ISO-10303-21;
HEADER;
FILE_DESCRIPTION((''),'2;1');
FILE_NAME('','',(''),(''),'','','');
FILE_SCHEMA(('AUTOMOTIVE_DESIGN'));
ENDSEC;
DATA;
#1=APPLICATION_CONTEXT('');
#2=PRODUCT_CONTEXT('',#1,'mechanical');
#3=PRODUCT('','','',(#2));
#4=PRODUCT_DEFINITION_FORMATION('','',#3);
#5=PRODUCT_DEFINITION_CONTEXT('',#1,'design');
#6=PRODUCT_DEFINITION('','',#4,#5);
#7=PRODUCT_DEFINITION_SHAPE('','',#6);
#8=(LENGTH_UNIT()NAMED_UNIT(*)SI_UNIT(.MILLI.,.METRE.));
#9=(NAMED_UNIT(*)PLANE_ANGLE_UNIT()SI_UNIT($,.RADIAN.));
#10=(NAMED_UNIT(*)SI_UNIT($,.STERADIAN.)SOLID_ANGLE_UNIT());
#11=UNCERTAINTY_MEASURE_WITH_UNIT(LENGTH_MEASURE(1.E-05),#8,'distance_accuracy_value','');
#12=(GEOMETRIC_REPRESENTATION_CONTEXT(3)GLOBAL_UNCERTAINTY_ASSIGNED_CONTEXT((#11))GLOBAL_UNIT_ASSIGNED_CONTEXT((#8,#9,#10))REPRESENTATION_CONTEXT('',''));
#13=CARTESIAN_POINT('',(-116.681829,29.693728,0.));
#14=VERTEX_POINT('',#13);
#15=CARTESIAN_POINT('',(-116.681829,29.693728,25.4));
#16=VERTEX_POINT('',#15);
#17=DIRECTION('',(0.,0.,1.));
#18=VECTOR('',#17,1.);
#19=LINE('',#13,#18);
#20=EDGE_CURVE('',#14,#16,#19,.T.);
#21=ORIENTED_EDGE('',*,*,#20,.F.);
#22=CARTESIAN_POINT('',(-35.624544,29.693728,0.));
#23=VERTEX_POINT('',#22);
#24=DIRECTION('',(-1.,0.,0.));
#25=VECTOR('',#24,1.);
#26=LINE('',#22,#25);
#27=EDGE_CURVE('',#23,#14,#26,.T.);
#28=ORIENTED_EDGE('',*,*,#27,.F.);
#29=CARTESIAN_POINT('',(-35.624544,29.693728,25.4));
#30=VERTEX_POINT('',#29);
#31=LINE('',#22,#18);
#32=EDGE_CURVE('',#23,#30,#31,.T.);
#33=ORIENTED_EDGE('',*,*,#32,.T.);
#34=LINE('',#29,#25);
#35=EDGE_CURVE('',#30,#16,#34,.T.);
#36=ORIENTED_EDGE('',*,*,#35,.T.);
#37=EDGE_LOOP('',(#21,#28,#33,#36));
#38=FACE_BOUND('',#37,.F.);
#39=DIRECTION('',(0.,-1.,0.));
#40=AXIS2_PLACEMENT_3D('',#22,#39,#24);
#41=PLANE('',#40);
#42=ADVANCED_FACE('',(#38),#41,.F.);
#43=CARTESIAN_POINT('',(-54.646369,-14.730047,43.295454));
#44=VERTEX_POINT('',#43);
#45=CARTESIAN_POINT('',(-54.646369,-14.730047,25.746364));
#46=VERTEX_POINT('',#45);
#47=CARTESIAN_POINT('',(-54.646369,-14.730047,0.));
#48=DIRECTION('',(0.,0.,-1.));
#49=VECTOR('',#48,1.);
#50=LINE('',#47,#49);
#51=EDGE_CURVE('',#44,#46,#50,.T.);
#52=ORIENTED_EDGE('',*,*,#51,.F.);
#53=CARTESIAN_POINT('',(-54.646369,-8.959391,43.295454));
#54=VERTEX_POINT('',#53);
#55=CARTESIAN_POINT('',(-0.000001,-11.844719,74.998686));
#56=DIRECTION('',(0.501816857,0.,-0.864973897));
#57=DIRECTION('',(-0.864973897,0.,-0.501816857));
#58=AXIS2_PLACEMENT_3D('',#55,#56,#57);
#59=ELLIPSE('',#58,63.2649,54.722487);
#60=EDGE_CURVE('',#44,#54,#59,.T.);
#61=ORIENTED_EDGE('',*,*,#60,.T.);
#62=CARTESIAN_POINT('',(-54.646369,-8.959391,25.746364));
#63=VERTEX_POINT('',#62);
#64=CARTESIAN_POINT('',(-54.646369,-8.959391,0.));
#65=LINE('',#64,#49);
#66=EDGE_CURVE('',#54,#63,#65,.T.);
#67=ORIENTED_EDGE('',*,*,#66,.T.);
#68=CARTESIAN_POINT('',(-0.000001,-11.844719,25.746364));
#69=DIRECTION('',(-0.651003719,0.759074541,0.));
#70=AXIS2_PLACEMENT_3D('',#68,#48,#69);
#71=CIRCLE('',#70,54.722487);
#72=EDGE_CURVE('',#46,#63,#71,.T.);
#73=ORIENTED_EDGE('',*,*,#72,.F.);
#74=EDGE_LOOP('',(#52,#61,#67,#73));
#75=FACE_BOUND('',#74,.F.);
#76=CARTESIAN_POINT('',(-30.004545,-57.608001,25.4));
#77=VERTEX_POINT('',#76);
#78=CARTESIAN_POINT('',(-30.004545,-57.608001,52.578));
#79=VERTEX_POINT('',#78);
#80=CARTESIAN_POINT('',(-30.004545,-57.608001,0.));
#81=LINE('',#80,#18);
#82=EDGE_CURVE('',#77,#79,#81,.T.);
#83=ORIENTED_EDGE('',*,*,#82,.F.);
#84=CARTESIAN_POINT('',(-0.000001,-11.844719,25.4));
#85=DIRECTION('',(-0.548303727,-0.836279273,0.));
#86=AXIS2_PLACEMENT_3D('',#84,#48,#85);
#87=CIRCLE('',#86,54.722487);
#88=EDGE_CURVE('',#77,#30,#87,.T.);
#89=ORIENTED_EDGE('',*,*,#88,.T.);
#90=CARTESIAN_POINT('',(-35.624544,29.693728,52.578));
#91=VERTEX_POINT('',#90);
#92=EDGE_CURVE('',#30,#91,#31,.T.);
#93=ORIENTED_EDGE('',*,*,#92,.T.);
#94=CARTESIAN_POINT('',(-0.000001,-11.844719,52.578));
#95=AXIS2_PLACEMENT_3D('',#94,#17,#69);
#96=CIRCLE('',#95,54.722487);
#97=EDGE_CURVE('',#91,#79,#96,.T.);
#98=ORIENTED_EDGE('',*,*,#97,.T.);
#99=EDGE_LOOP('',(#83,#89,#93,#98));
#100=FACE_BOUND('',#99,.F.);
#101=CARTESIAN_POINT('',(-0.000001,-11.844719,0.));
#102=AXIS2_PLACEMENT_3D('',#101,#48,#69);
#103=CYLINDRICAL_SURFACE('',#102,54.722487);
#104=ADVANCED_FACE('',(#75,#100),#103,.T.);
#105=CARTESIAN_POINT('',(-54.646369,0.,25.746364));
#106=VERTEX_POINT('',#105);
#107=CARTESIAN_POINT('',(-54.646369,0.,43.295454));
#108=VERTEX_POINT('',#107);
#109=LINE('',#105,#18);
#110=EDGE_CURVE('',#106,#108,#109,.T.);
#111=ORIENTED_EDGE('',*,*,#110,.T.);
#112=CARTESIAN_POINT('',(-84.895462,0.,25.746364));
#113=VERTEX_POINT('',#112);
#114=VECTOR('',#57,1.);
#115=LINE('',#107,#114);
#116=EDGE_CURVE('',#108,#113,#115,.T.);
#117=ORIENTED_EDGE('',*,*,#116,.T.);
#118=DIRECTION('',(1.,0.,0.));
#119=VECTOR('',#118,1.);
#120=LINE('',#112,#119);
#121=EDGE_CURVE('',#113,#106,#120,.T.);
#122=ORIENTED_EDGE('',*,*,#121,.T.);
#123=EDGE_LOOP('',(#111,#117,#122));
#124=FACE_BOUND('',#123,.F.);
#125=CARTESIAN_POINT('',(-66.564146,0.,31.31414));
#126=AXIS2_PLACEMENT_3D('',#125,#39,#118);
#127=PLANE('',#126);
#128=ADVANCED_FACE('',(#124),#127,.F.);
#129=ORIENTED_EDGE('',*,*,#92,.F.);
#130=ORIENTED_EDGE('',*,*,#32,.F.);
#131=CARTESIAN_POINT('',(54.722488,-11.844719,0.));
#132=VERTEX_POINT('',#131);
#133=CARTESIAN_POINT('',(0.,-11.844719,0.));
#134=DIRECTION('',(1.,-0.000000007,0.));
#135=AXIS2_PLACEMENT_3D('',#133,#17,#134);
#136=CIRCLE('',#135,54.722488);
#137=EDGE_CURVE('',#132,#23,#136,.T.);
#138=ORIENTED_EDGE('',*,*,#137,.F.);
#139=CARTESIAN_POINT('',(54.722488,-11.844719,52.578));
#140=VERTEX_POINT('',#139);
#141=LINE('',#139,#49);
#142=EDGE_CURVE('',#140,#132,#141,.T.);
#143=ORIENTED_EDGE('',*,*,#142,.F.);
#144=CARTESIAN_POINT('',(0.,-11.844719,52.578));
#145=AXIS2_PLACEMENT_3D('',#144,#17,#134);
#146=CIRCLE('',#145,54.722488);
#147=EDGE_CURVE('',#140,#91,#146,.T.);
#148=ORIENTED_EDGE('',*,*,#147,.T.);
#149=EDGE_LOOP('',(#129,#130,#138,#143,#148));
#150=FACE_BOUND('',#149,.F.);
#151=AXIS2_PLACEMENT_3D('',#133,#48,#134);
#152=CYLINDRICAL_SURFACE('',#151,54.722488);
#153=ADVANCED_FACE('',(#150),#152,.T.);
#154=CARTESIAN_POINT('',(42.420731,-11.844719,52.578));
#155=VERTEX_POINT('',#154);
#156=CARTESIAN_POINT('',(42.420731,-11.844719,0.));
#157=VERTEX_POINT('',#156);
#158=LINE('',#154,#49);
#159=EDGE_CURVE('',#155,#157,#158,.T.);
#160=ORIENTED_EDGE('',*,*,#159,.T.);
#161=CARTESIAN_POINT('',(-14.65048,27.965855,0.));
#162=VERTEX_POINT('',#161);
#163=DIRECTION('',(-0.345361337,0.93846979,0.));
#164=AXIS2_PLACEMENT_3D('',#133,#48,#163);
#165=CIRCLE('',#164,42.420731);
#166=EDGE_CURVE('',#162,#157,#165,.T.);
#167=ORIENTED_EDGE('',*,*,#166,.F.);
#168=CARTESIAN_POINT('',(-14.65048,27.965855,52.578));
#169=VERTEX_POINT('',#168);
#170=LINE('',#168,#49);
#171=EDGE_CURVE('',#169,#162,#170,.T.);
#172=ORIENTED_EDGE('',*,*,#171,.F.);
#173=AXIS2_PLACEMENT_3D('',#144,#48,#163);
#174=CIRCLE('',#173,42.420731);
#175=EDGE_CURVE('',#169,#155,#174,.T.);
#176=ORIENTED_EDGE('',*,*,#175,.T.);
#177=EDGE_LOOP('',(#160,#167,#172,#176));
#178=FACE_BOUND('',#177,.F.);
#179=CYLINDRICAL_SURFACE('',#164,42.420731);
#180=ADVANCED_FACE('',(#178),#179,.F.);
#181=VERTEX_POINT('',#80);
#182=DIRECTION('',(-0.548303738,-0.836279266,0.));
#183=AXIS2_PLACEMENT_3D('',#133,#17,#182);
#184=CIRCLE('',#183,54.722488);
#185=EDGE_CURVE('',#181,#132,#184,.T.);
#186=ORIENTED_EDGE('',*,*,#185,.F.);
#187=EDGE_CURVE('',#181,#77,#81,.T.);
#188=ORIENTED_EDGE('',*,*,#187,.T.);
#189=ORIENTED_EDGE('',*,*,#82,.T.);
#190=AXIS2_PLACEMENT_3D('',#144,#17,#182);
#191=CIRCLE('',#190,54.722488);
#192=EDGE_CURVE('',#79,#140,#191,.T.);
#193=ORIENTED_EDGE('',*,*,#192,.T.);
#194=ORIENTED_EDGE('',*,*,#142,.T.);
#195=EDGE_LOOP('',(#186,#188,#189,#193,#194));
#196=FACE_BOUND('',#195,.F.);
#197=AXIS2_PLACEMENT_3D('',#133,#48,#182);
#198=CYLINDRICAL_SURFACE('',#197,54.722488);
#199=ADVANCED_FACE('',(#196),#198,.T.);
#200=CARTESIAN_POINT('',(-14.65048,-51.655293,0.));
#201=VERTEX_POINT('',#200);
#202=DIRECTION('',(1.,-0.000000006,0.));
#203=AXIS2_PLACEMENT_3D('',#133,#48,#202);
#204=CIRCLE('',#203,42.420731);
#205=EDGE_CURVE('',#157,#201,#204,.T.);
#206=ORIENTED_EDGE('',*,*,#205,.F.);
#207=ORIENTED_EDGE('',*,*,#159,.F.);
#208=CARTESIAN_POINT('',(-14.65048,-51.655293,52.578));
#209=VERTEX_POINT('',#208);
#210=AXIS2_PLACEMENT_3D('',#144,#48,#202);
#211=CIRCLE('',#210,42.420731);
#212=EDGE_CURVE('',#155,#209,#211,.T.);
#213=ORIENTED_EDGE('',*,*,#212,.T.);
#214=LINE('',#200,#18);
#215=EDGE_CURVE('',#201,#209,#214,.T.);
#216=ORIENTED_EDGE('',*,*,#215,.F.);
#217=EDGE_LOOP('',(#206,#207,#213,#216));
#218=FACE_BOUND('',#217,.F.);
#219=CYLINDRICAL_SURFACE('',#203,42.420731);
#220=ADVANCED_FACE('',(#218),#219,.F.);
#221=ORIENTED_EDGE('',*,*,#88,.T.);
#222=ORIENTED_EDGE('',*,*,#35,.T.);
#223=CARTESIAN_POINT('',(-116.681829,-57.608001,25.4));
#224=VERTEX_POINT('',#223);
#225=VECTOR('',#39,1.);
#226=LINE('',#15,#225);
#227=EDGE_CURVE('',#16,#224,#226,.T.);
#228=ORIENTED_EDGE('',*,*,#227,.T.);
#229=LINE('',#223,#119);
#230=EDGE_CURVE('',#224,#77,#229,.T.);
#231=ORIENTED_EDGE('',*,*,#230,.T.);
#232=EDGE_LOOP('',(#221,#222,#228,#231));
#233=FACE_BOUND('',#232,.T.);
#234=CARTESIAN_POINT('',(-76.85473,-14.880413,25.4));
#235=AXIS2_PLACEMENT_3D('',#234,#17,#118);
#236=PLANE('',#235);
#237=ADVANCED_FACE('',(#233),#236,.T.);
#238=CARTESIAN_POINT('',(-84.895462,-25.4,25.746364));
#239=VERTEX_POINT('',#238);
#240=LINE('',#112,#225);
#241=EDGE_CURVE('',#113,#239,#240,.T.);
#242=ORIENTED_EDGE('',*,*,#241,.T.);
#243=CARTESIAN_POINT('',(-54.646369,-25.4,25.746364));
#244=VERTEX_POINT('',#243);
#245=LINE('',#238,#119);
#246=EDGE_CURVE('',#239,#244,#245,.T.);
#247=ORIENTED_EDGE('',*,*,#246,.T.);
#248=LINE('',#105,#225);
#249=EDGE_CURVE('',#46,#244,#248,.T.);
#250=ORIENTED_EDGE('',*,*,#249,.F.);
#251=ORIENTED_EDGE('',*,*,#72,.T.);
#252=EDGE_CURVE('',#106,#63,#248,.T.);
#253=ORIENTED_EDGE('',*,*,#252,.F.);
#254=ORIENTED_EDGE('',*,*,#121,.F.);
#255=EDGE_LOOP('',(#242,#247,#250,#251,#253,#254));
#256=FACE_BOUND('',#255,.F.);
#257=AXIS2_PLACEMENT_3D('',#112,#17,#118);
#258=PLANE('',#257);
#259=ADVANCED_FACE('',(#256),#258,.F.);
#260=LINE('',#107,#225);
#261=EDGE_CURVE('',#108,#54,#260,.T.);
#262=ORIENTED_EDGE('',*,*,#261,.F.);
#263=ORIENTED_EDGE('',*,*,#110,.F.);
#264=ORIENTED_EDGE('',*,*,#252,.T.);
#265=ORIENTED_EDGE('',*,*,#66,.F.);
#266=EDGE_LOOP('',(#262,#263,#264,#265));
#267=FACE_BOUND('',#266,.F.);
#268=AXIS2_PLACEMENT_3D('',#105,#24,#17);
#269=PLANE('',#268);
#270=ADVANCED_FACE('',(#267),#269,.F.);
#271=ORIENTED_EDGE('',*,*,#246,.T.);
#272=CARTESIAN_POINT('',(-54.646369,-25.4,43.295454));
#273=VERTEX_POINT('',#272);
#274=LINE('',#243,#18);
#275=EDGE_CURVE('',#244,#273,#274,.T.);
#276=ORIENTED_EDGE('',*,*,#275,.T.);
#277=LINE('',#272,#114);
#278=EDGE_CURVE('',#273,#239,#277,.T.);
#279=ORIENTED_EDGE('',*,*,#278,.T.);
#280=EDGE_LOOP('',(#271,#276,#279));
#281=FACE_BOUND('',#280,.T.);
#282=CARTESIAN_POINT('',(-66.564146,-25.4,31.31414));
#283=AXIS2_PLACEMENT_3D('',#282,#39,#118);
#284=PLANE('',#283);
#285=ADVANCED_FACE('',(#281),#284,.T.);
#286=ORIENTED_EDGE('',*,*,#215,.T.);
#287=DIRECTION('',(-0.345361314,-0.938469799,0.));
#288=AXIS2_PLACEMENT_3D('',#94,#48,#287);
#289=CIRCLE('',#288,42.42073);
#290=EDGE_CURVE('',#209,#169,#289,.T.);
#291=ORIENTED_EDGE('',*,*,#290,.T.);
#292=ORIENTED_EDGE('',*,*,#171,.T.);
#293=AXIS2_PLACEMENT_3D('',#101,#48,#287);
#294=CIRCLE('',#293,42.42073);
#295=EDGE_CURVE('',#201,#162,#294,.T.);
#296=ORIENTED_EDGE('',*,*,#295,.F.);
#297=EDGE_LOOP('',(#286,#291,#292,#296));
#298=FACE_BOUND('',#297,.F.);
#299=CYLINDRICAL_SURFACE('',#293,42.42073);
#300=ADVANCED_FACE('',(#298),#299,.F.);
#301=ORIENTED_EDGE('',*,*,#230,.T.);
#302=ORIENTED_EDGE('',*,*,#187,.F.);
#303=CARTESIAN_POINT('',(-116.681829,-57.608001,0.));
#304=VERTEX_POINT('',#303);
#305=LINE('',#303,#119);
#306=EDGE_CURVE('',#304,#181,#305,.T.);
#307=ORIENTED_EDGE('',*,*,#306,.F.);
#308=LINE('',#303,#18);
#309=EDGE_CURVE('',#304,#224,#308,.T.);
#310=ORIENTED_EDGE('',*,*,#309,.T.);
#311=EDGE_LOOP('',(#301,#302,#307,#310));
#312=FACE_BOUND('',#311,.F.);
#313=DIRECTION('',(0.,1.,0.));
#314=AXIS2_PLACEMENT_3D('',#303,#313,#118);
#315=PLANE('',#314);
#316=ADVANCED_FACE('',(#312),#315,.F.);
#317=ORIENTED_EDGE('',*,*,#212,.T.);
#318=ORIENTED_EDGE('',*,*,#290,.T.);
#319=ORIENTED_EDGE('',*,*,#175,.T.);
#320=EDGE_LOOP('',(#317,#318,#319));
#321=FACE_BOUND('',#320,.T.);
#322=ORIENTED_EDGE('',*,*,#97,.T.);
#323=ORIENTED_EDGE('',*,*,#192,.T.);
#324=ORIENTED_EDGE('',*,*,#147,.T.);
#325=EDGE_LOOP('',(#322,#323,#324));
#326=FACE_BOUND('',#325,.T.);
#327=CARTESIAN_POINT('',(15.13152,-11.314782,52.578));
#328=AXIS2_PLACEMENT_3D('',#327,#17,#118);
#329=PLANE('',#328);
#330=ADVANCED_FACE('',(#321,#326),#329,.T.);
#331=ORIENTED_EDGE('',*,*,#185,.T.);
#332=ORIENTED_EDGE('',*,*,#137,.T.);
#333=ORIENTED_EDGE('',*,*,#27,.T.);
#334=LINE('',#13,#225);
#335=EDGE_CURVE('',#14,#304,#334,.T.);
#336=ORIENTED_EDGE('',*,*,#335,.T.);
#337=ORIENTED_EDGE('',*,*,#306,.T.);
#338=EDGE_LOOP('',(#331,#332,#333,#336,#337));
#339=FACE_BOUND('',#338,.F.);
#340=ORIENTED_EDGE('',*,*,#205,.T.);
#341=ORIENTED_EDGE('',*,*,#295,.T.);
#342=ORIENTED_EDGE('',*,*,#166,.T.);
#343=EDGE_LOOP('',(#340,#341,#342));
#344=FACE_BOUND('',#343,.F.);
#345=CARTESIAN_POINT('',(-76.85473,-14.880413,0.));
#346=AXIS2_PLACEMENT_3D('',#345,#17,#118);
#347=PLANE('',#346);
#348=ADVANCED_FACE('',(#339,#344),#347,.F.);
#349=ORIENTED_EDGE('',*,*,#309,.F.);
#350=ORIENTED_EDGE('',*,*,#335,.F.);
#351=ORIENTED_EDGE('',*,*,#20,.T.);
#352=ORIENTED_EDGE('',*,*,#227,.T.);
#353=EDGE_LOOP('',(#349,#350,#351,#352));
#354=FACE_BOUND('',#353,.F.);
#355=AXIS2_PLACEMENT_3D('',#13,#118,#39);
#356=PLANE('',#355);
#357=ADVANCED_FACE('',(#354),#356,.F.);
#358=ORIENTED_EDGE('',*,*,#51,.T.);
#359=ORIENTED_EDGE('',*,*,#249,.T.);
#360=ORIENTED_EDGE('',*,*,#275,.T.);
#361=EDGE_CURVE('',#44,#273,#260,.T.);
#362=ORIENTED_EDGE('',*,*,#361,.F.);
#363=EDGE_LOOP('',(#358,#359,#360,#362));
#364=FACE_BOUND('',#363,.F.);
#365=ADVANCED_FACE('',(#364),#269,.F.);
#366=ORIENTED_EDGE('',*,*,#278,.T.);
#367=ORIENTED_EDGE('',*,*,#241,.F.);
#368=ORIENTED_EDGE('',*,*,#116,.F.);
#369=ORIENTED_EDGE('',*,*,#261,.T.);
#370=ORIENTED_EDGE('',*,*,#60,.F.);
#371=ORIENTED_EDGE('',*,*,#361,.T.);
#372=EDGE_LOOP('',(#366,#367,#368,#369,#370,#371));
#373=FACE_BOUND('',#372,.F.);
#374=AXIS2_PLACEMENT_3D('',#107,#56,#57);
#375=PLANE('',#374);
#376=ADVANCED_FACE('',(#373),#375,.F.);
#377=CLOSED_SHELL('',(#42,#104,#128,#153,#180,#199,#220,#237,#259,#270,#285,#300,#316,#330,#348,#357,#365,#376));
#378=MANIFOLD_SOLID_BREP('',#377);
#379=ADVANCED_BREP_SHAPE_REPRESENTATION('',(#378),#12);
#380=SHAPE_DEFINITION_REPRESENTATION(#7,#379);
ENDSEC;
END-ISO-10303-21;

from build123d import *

# Parameters (mm, degrees)
F1_DEPTH = 52.578
F2_DEPTH = 25.4
F4_DEPTH = 25.4


with BuildPart() as f1:
    # F0 (on Top) → F1 (new body)
    with BuildSketch(Plane.XY):
        with BuildLine():
            ThreePointArc((54.722488, -11.844719), (22.859211, 37.874565), (-35.624544, 29.693728))
            Line((-35.624544, 29.693728), (-14.65048, 29.693728))
            Line((-14.65048, 29.693728), (-14.65048, 27.965855))
            ThreePointArc((-14.65048, 27.965855), (24.269676, 22.947539), (42.420731, -11.844719))
            ThreePointArc((42.420731, -11.844719), (24.269676, -46.636977), (-14.65048, -51.655293))
            Line((-14.65048, -51.655293), (-14.65048, -57.608001))
            Line((-14.65048, -57.608001), (-30.004545, -57.608001))
            ThreePointArc((-30.004545, -57.608001), (26.006031, -59.992793), (54.722488, -11.844719))
        make_face()
        with BuildLine():
            Line((-14.65048, 29.693728), (-35.624544, 29.693728))
            ThreePointArc((-35.624544, 29.693728), (-54.609453, -15.360171), (-30.004545, -57.608001))
            Line((-30.004545, -57.608001), (-14.65048, -57.608001))
            Line((-14.65048, -57.608001), (-14.65048, -51.655293))
            ThreePointArc((-14.65048, -51.655293), (-42.420731, -11.844719), (-14.65048, 27.965855))
            Line((-14.65048, 27.965855), (-14.65048, 29.693728))
        make_face()
    extrude(amount=F1_DEPTH)

    # F0 (on Top) → F2 (join)
    with BuildSketch(Plane.XY):
        with BuildLine():
            Line((-35.624544, 29.693728), (-116.681829, 29.693728))
            Line((-116.681829, 29.693728), (-116.681829, -57.608001))
            Line((-116.681829, -57.608001), (-30.004545, -57.608001))
            ThreePointArc((-30.004545, -57.608001), (-54.609453, -15.360171), (-35.624544, 29.693728))
        make_face()
        with BuildLine():
            ThreePointArc((54.722488, -11.844719), (22.859211, 37.874565), (-35.624544, 29.693728))
            Line((-35.624544, 29.693728), (-14.65048, 29.693728))
            Line((-14.65048, 29.693728), (-14.65048, 27.965855))
            ThreePointArc((-14.65048, 27.965855), (24.269676, 22.947539), (42.420731, -11.844719))
            ThreePointArc((42.420731, -11.844719), (24.269676, -46.636977), (-14.65048, -51.655293))
            Line((-14.65048, -51.655293), (-14.65048, -57.608001))
            Line((-14.65048, -57.608001), (-30.004545, -57.608001))
            ThreePointArc((-30.004545, -57.608001), (26.006031, -59.992793), (54.722488, -11.844719))
        make_face()
    extrude(amount=F2_DEPTH)

    # F3 (on Front) → F4 (join)
    with BuildSketch(Plane.XZ):
        Polygon((-54.646369, 25.746364), (-54.646369, 43.295454), (-84.895462, 25.746364), align=None)
    extrude(amount=F4_DEPTH)


solid = f1.part
